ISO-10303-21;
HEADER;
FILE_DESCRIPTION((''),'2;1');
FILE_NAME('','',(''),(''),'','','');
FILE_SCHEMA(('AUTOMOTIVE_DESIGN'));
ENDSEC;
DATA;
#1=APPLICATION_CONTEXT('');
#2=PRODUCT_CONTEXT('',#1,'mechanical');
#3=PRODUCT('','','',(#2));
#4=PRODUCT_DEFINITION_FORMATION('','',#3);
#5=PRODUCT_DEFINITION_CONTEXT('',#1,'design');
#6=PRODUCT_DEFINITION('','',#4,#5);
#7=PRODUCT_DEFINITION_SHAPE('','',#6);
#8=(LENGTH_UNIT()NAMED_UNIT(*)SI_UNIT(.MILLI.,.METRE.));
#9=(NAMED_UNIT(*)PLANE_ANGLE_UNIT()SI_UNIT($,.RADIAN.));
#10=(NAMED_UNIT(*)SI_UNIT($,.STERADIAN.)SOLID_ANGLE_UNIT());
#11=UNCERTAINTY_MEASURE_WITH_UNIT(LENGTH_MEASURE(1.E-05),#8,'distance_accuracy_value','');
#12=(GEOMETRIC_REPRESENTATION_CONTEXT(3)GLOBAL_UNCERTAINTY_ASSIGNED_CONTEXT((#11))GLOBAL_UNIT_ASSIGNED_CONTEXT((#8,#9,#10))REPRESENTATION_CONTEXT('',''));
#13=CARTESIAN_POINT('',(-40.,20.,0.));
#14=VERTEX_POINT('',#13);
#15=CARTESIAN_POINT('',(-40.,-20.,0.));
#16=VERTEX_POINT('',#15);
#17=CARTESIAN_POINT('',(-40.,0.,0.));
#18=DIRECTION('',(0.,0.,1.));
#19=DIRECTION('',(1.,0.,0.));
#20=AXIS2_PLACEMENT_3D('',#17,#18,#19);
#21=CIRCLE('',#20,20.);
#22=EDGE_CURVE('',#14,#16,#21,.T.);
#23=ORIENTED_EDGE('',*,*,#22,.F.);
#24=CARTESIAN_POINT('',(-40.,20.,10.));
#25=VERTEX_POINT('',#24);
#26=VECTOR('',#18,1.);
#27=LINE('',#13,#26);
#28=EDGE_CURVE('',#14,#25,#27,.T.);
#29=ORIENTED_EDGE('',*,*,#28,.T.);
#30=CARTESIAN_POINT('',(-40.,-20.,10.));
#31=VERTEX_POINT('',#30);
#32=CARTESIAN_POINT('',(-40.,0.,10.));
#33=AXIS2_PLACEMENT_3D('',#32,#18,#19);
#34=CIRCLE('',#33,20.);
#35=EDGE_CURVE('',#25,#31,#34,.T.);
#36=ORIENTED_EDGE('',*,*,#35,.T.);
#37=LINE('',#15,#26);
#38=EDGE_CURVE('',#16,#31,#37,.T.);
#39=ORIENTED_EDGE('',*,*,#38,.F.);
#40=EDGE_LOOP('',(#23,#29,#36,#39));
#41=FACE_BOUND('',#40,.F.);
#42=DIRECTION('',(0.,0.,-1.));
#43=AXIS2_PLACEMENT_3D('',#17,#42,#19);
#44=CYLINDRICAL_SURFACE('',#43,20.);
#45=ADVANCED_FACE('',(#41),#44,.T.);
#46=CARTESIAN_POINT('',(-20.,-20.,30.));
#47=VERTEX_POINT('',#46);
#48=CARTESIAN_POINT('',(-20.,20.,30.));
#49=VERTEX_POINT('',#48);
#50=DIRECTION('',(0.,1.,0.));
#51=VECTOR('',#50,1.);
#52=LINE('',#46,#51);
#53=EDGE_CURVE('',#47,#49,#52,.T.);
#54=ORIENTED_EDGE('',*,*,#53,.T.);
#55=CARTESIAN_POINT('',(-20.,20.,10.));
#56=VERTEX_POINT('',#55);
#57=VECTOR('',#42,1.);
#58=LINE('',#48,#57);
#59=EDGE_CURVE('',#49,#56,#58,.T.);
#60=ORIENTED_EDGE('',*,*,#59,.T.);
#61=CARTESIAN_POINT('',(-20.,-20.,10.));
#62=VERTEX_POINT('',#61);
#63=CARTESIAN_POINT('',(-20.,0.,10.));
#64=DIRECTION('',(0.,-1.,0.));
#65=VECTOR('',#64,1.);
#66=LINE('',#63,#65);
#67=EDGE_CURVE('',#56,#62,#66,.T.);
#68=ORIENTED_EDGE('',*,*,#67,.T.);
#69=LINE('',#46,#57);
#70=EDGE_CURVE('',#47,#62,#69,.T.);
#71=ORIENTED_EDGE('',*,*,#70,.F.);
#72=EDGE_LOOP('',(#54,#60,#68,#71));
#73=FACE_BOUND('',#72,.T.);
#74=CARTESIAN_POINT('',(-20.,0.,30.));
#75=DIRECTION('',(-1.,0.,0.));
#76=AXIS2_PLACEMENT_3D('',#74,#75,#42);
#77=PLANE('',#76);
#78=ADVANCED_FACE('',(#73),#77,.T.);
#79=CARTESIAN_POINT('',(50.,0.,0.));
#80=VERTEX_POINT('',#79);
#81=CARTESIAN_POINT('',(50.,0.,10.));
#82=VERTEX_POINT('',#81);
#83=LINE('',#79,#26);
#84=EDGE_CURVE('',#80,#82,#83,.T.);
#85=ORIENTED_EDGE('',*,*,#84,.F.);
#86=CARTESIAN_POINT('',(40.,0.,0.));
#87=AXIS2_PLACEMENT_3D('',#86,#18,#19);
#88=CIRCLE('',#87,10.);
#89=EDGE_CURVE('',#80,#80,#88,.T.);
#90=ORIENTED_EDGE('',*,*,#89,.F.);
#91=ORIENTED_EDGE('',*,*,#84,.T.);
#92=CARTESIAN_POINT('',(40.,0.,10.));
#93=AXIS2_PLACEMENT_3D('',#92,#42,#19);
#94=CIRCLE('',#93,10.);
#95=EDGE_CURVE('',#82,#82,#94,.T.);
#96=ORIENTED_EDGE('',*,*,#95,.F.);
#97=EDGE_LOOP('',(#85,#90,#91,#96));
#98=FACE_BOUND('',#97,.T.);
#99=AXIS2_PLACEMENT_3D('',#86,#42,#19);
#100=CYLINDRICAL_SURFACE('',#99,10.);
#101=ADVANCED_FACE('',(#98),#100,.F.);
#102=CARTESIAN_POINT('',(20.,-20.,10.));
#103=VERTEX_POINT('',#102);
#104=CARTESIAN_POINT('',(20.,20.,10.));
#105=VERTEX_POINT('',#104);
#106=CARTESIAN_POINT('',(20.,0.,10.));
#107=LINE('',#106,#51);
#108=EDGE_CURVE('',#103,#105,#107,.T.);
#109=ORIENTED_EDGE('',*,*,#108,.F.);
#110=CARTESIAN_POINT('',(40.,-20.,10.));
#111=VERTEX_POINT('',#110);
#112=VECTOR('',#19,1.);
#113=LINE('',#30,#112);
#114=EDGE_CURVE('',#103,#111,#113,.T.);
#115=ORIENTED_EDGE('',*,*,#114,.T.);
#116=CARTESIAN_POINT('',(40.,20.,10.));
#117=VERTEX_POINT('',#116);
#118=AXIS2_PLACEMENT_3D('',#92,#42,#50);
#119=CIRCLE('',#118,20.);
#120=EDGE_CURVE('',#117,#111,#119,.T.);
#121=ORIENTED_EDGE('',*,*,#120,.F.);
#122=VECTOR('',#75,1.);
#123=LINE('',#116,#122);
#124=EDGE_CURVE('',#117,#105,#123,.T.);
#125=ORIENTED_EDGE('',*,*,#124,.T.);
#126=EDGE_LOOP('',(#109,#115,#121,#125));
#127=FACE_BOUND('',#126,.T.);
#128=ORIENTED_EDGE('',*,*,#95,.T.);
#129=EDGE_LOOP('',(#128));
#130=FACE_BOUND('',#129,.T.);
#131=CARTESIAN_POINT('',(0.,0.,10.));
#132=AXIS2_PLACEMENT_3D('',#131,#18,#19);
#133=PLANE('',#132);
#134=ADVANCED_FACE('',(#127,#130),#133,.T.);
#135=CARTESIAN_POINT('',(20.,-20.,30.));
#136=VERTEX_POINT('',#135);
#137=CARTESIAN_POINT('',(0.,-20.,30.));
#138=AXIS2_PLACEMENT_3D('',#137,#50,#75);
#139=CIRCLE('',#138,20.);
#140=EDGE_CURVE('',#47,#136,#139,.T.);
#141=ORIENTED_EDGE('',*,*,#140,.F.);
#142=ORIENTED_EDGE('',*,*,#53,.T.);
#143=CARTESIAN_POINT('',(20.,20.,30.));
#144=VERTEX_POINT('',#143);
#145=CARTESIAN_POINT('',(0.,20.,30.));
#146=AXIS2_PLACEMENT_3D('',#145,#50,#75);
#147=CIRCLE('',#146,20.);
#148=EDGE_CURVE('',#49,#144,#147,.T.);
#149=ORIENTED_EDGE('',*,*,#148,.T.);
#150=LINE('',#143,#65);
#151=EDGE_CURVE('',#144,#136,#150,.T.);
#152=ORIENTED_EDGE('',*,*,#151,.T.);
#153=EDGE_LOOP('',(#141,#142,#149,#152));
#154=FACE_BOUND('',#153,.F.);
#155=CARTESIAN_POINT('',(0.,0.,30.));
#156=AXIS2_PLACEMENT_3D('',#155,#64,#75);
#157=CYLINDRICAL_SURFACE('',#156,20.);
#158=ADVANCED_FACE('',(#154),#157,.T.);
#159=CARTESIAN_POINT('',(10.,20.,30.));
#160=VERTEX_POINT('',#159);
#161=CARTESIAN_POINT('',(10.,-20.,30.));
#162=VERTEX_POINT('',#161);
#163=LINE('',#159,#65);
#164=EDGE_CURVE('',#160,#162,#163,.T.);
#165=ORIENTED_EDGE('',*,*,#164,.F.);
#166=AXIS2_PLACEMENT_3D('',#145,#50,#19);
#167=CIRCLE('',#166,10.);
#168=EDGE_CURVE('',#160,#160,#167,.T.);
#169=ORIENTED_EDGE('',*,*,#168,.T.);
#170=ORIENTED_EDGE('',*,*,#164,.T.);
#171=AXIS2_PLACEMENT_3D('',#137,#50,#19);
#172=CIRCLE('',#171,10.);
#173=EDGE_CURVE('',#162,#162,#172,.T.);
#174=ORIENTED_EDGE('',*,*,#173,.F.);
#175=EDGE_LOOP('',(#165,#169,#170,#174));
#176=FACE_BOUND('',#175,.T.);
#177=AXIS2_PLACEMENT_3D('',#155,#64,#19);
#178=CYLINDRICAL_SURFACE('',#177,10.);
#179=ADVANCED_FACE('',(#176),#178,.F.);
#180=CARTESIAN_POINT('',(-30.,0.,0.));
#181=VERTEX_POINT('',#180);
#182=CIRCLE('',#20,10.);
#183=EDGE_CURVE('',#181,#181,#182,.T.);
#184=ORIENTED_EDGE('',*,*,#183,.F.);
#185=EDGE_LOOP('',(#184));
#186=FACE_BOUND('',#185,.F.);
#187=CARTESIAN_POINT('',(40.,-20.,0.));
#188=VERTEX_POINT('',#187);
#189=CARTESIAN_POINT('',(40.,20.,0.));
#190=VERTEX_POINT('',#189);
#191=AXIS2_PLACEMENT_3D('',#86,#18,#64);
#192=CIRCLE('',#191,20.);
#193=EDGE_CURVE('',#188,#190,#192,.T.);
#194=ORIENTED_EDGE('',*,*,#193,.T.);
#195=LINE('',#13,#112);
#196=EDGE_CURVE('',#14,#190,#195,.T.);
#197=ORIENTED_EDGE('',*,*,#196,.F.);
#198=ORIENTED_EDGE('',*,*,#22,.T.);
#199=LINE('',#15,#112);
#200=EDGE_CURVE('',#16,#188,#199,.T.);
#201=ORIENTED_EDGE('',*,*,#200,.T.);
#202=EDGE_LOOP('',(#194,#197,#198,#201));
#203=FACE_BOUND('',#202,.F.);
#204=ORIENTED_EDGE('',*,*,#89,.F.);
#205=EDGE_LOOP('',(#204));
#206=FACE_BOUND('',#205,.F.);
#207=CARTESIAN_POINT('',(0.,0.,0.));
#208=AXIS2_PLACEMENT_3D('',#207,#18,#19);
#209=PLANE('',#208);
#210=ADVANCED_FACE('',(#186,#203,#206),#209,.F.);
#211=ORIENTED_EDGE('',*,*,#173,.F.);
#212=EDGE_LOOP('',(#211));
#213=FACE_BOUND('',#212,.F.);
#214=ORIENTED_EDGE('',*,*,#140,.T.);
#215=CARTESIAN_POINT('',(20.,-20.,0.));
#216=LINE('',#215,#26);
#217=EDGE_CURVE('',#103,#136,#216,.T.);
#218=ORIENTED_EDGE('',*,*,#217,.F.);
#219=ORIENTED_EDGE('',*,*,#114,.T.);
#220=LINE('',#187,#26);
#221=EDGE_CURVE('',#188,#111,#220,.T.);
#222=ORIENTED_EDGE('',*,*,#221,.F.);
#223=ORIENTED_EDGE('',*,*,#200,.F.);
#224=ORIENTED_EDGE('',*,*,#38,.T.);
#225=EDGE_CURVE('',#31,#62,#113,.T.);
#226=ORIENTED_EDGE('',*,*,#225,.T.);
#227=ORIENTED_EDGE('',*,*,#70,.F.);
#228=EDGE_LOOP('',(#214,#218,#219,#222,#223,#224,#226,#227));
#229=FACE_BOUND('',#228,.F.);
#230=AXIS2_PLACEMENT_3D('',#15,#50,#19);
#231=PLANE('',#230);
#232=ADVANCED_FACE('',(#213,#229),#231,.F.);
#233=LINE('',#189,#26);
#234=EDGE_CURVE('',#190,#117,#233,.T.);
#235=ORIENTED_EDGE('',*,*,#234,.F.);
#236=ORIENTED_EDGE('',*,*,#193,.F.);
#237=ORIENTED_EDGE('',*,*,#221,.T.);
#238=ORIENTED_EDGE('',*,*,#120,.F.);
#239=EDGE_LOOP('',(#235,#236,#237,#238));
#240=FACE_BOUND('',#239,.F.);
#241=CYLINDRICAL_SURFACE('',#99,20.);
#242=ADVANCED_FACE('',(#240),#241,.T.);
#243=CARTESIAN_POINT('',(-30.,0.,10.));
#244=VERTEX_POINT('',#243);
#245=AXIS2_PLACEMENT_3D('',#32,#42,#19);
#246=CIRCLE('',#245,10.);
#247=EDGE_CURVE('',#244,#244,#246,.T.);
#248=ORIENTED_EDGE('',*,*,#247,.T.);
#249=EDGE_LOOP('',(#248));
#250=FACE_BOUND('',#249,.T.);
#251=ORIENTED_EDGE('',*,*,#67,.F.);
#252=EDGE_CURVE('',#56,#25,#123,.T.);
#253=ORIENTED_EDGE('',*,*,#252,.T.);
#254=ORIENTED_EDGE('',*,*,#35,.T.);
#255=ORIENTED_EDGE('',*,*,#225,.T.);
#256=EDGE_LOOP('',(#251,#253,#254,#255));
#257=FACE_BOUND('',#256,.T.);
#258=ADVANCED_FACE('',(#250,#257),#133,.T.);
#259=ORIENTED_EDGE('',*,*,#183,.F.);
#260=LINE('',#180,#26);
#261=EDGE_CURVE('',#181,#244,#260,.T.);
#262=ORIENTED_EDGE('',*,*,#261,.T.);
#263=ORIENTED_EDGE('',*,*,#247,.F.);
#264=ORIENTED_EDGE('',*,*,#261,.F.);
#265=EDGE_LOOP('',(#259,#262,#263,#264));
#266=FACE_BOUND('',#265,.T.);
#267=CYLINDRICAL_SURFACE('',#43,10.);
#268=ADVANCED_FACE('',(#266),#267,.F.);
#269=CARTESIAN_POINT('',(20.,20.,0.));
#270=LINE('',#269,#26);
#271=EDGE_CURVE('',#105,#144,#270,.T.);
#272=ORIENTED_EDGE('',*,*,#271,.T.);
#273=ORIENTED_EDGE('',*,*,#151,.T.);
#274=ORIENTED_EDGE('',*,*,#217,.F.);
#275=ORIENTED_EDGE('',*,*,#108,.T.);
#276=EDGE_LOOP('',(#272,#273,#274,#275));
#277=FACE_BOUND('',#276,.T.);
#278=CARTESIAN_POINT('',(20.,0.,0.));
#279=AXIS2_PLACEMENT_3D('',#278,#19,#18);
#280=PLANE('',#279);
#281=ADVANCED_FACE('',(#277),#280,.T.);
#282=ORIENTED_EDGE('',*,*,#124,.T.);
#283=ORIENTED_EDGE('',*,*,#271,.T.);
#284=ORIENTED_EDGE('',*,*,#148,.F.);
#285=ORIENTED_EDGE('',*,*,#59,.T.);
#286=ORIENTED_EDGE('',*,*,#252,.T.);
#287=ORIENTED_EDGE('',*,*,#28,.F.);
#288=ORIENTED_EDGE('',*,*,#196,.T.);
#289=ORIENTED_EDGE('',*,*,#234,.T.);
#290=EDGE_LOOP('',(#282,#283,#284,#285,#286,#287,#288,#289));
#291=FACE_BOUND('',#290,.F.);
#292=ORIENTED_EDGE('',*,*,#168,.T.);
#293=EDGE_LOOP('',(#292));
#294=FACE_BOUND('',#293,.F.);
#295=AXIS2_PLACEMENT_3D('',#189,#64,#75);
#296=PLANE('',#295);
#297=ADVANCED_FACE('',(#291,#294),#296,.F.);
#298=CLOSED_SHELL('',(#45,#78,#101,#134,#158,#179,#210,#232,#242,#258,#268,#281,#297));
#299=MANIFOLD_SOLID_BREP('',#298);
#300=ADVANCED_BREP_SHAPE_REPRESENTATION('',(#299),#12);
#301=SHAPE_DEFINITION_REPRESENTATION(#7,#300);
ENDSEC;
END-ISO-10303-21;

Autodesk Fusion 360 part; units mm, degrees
sketch "Sketch4" plane through (0, 0, 0) normal (0, 0, 1) x (1, 0, 0)
  line L0 (40, 20) -> (-40, 20)
  line L1 (-40, 20) -> (-40, -20)
  line L2 (-40, -20) -> (40, -20)
  line L3 (40, -20) -> (40, 20)
  line L4 (40, 20) -> (-40, -20) construction
  line L5 (-40, 20) -> (40, -20) construction
  line L6 (20, 20) -> (20, -20) construction
  circle A0 centre (40, 0) radius 20
  circle A1 centre (-40, 0) radius 20
  circle A2 centre (-40, 0) radius 10
  circle A3 centre (40, 0) radius 10
  line L7 (-20, 20) -> (-20, 10) construction
  line L8 (-20, 0) -> (-20, -20) construction
  dimension "d11" = 80
  dimension "d12" = 40
  dimension "d13" = 40
  dimension "d14" = 20
  dimension "d15" = 40
  dimension "d16" = 40
  dimension "d17" = 20
  dimension "d18" = 20
extrude "Extrude2" add sketch "Sketch4" along normal blind 10 contours L0 L2 A0 A1 | L3 A0 A3 | L3 A0 A3 | L1 A1 A2 | L1 A1 A2
sketch "Sketch5" plane through (0, 0, 0) normal (0, 1, 0) x (1, 0, 0)
  line L0 (-20, 0) -> (20, 0)
  line L1 (20, 0) -> (20, -30)
  line L2 (-20, -30) -> (-20, 0)
  line L3 (-40, 0) -> (-40, -10)
  circle A0 centre (0, -30) radius 10
  arc A1 (-20, -30) -> (20, -30) centre (0, -30) ccw
  dimension "d21" = 40
  dimension "d22" = 30
  dimension "d23" = 20
extrude "Extrude3" add sketch "Sketch5" along normal mid plane 40
sketch "Sketch1" plane through (0, 0, 0) normal (0, 0, 1) x (1, 0, 0)
  line L0 (40, 20) -> (-40, 20)
  line L1 (-40, 20) -> (-40, -20)
  line L2 (-40, -20) -> (40, -20)
  line L3 (40, -20) -> (40, 20)
  line L4 (40, 20) -> (-40, -20) construction
  line L5 (-40, 20) -> (40, -20) construction
  circle A0 centre (-40, 0) radius 20
  circle A1 centre (40, 0) radius 20
  circle A2 centre (-40, 0) radius 10
  circle A3 centre (40, 0) radius 10
  dimension "d1" = 80
  dimension "d2" = 40
  dimension "d3" = 40
  dimension "d4" = 40
  dimension "d5" = 20
  dimension "d6" = 20
extrude "Extrude1" [suppressed]
sketch "Sketch3" plane through (0, 0, 10) normal (0, 0, 1) x (-1, 0, 0)
  circle A0 centre (40, 0) radius 10
  circle A1 centre (-40, 0) radius 10
  arc A2 (-40, 20) -> (-40, -20) centre (-40, 0) ccw
  line L0 (-40, -20) -> (40, -20)
  arc A3 (40, -20) -> (40, 20) centre (40, 0) ccw
  line L1 (40, 20) -> (-40, 20)
